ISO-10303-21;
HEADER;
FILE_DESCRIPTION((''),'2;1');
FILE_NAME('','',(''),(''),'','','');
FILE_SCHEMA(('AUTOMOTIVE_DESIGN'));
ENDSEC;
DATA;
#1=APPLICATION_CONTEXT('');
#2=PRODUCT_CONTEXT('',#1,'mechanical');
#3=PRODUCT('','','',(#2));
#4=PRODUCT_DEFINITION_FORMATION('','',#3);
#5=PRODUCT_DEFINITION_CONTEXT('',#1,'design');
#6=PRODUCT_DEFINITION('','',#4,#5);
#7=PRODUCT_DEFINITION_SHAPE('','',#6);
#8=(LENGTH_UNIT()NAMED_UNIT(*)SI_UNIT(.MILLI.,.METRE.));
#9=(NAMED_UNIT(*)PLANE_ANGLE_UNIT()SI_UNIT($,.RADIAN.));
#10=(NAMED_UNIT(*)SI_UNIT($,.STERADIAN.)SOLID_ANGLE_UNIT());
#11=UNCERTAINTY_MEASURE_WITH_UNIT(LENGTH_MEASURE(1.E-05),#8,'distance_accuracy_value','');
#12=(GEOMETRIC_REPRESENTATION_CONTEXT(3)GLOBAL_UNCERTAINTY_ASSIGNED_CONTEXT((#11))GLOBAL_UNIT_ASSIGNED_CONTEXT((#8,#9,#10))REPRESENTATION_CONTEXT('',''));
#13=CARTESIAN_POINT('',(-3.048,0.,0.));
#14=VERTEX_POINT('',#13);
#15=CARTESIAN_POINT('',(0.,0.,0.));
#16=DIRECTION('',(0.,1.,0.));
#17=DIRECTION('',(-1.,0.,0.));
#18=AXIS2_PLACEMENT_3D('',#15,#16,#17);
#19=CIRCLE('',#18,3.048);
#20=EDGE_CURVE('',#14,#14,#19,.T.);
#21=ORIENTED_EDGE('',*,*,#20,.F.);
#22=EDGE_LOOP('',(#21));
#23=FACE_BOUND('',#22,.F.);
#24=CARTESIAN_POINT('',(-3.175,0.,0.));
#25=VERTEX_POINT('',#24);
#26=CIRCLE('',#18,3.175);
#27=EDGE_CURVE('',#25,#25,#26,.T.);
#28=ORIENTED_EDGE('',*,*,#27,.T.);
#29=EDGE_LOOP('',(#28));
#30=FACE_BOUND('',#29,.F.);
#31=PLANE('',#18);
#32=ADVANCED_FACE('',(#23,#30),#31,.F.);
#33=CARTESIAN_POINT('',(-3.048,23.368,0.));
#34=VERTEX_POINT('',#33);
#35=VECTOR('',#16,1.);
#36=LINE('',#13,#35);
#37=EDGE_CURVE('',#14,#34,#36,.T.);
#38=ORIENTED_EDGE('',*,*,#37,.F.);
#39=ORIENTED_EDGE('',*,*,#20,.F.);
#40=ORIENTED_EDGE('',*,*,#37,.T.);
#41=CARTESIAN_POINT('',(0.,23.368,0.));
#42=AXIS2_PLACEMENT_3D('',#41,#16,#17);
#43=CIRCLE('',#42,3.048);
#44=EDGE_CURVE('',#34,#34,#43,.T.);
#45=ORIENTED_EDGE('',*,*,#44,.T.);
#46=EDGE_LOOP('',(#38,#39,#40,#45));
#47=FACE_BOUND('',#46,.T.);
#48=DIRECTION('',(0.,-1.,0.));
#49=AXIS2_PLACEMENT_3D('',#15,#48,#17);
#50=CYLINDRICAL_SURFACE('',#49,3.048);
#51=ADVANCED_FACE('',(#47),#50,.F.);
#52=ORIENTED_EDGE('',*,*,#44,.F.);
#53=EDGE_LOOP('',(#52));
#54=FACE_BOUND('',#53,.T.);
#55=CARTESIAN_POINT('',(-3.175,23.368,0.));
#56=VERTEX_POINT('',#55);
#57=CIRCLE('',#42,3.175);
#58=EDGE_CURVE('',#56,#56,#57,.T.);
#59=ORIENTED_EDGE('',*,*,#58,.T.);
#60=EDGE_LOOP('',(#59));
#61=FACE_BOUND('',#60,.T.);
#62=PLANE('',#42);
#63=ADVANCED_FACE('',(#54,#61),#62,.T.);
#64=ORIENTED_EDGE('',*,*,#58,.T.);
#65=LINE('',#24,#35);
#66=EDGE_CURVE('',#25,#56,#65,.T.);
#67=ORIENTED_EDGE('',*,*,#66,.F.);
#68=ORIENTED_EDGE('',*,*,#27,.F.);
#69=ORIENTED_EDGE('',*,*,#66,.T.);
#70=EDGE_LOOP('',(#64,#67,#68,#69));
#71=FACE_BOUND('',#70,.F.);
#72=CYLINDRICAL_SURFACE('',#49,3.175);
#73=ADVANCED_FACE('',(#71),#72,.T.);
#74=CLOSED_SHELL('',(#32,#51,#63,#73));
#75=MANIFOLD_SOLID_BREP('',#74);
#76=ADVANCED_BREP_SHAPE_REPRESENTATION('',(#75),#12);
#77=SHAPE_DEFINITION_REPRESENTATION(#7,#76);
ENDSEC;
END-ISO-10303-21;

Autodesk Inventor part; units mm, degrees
ref_plane "YZ Plane" through (0, 0, 0) normal (1, 0, 0) x (0, 1, 0)
ref_plane "XZ Plane" through (0, 0, 0) normal (0, 1, 0) x (-1, 0, 0)
ref_plane "XY Plane" through (0, 0, 0) normal (0, 0, 1) x (1, 0, 0)
sketch "Sketch1" plane through (0, 0, 0) normal (0, 1, 0) x (-1, 0, 0)
  circle A0 centre (0, 0) radius 3.048
  circle A1 centre (0, 0) radius 3.175
  dimension "d0" = 6.096
  dimension "d1" = 6.35
extrude "Extrusion1" add sketch "Sketch1" along normal blind 23.368
properties part number "elbowinbetween"
